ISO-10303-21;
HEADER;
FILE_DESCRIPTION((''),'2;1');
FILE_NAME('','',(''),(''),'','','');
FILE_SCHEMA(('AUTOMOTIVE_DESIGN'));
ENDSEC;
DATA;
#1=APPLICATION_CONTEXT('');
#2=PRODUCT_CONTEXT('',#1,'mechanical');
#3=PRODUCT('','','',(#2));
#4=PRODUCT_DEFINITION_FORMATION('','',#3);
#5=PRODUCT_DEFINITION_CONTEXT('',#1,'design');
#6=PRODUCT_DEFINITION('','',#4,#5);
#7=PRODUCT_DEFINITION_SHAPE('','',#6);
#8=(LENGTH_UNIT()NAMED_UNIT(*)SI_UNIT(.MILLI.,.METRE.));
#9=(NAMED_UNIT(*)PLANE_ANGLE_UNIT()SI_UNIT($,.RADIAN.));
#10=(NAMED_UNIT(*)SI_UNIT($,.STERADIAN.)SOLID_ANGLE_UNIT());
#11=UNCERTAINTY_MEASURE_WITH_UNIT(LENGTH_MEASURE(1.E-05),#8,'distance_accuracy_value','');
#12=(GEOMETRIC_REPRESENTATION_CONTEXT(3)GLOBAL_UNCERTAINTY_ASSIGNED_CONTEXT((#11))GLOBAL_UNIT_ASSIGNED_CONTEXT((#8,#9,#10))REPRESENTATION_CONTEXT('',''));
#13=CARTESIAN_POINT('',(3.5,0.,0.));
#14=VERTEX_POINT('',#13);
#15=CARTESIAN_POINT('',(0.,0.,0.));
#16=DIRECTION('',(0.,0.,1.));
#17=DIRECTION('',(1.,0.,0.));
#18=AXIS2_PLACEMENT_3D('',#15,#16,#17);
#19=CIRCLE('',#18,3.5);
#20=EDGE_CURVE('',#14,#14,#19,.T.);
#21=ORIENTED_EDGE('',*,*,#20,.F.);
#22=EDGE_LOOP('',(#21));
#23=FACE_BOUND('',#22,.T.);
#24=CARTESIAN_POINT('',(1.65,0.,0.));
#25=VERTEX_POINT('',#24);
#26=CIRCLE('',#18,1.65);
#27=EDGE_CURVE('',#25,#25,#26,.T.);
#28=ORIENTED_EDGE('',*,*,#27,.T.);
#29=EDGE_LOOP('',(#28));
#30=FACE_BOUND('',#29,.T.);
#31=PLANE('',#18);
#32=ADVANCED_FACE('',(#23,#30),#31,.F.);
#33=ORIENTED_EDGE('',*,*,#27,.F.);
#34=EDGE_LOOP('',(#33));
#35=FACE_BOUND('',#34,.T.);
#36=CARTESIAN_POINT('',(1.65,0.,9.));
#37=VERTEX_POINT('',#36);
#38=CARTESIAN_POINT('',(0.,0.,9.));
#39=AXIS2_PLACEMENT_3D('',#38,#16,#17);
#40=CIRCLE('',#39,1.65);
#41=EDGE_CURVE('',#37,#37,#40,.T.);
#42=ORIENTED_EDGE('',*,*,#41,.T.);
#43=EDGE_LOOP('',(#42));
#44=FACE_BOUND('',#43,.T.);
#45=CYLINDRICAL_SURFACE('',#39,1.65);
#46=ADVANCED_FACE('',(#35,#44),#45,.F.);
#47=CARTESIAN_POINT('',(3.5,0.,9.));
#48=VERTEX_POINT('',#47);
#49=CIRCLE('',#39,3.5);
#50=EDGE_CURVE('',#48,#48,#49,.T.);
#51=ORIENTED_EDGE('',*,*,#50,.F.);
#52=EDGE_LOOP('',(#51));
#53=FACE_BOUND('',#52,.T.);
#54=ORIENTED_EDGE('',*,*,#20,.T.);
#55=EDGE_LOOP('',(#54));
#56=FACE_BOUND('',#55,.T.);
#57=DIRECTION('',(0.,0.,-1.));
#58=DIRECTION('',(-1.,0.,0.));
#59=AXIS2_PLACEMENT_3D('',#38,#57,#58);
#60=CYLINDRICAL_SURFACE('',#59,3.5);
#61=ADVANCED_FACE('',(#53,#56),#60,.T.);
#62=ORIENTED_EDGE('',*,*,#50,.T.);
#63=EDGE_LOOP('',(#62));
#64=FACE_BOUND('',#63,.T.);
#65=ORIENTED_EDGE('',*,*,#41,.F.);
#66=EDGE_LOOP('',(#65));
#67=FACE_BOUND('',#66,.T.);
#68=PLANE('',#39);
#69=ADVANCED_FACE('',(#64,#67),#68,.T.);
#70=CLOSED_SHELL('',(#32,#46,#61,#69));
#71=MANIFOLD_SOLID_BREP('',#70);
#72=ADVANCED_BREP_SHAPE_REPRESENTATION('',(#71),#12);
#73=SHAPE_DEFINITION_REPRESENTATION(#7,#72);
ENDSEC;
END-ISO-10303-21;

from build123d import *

# Parameters (mm, degrees)
SKETCH_1_R         = 3.5
EXTRUDE_1_DEPTH    = 9
HOLE_WIZARD_M4_1_D = 3.3


with BuildPart() as part:
    # 草图1 → 凸台-拉伸1 (new body)
    with BuildSketch(Plane.XY):
        Circle(SKETCH_1_R)
    extrude(amount=EXTRUDE_1_DEPTH)

    # M4 螺纹孔1 (through all)
    with Locations(Plane.XY.offset(9)):
        with Locations((0, 0)):
            Hole(HOLE_WIZARD_M4_1_D / 2)


solid = part.part
